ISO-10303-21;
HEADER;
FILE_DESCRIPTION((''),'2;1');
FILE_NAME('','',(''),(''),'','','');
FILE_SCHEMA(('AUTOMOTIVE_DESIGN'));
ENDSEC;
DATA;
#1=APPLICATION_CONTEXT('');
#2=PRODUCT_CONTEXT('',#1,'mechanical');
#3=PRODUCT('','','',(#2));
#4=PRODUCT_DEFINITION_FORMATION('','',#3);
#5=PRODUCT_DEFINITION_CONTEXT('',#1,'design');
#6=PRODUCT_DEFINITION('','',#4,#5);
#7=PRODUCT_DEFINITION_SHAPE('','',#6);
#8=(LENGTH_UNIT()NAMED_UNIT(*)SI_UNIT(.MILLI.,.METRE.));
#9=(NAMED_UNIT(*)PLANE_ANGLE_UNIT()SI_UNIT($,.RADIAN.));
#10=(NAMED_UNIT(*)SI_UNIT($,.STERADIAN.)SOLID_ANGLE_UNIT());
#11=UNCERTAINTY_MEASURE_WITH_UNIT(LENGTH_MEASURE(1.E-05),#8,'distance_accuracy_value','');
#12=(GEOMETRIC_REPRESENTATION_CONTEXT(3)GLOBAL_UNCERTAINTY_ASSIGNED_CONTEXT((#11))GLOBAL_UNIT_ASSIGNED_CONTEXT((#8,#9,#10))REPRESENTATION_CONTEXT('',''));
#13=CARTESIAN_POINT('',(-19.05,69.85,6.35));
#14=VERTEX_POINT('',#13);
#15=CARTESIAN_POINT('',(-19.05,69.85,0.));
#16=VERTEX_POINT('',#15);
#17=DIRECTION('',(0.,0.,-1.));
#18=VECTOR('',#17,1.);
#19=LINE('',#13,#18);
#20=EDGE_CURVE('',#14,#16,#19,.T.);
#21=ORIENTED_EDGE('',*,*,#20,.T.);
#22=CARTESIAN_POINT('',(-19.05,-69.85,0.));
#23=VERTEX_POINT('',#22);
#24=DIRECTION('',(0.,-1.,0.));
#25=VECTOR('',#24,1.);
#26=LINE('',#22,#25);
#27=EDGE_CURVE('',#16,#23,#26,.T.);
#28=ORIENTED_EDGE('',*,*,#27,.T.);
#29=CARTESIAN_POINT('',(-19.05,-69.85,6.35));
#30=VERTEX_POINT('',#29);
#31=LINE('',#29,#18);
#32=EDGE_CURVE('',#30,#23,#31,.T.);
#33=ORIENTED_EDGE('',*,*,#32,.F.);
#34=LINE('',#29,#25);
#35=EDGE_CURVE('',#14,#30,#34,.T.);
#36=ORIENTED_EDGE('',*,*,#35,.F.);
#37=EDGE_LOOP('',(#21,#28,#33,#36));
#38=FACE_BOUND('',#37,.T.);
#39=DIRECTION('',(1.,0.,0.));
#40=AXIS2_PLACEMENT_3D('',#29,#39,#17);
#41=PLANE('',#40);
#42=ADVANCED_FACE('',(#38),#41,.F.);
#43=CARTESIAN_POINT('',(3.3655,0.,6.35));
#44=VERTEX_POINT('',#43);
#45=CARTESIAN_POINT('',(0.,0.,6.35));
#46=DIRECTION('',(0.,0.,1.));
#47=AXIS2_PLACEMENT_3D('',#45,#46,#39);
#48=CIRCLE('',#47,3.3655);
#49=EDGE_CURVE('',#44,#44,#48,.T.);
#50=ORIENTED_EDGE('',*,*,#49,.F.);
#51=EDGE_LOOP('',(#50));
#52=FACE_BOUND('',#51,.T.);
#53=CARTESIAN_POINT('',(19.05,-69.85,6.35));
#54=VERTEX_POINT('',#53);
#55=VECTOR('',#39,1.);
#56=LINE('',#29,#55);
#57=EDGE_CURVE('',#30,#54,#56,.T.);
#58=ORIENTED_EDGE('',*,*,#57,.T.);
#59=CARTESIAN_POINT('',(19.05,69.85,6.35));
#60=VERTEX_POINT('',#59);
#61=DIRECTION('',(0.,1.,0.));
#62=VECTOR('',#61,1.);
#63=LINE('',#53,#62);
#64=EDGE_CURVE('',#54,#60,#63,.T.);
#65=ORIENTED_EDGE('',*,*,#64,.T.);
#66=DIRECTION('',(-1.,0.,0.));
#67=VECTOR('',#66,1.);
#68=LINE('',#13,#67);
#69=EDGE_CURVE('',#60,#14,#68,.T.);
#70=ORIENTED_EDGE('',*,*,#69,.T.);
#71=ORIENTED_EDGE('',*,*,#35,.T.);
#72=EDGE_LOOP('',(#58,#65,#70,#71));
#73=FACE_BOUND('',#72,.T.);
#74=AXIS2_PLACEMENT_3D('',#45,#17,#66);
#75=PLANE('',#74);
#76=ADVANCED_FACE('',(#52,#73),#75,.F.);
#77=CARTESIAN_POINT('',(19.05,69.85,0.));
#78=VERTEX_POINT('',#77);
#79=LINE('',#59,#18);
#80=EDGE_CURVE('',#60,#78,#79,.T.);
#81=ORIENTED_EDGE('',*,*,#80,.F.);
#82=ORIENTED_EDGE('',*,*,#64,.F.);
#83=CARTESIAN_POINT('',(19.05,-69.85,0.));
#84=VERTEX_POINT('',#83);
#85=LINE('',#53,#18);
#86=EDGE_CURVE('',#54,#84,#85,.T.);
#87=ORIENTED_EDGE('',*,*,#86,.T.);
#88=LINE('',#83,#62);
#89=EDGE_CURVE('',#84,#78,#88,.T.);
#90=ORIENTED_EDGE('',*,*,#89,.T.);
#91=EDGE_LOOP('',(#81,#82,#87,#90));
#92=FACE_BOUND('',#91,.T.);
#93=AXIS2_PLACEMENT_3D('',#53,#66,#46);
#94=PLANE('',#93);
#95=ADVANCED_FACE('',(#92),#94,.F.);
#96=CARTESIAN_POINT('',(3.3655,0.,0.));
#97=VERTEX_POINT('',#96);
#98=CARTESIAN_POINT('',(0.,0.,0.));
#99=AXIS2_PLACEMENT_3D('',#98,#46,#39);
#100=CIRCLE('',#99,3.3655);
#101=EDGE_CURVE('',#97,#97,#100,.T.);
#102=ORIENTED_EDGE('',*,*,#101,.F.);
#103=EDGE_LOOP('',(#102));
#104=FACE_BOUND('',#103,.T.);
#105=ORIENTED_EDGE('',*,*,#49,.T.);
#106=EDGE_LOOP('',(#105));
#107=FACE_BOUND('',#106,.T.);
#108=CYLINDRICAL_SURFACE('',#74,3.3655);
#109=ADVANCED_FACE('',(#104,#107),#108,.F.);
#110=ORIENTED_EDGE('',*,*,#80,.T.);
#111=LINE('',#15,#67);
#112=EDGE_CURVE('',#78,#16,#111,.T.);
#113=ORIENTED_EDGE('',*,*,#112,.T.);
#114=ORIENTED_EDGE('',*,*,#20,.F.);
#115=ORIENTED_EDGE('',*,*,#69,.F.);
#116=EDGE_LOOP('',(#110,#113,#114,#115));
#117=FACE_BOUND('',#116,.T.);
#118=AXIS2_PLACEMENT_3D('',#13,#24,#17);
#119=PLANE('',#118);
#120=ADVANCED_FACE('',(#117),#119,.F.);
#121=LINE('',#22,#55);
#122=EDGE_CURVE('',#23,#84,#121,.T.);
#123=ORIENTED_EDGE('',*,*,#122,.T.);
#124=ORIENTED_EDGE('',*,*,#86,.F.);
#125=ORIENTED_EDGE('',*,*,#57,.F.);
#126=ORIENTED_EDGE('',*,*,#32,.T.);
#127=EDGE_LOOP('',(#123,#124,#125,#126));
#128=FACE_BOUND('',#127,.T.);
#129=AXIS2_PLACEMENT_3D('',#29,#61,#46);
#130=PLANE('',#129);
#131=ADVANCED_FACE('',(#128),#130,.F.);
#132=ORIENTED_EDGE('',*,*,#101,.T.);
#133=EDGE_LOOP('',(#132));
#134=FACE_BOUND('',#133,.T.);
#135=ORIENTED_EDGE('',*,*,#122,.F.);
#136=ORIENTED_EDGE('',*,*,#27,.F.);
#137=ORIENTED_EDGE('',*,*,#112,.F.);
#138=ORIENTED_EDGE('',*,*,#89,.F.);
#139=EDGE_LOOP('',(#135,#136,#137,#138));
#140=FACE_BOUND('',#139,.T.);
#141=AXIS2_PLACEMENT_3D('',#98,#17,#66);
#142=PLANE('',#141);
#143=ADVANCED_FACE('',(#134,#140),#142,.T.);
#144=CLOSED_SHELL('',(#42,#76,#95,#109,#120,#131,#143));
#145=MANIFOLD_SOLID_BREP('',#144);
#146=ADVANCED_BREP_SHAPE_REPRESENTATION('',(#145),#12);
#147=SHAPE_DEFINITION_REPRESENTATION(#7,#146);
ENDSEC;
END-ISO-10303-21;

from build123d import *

# Parameters (mm, degrees)
SKETCH1_W           = 38.1
SKETCH1_H           = 139.7
SKETCH1_R           = 3.3655
BOSS_EXTRUDE1_DEPTH = 6.35


with BuildPart() as part:
    # Sketch1 → Boss-Extrude1 (new body)
    with BuildSketch(Plane.XY):
        Rectangle(SKETCH1_W, SKETCH1_H)
        Circle(SKETCH1_R, mode=Mode.SUBTRACT)
    extrude(amount=BOSS_EXTRUDE1_DEPTH)


solid = part.part
